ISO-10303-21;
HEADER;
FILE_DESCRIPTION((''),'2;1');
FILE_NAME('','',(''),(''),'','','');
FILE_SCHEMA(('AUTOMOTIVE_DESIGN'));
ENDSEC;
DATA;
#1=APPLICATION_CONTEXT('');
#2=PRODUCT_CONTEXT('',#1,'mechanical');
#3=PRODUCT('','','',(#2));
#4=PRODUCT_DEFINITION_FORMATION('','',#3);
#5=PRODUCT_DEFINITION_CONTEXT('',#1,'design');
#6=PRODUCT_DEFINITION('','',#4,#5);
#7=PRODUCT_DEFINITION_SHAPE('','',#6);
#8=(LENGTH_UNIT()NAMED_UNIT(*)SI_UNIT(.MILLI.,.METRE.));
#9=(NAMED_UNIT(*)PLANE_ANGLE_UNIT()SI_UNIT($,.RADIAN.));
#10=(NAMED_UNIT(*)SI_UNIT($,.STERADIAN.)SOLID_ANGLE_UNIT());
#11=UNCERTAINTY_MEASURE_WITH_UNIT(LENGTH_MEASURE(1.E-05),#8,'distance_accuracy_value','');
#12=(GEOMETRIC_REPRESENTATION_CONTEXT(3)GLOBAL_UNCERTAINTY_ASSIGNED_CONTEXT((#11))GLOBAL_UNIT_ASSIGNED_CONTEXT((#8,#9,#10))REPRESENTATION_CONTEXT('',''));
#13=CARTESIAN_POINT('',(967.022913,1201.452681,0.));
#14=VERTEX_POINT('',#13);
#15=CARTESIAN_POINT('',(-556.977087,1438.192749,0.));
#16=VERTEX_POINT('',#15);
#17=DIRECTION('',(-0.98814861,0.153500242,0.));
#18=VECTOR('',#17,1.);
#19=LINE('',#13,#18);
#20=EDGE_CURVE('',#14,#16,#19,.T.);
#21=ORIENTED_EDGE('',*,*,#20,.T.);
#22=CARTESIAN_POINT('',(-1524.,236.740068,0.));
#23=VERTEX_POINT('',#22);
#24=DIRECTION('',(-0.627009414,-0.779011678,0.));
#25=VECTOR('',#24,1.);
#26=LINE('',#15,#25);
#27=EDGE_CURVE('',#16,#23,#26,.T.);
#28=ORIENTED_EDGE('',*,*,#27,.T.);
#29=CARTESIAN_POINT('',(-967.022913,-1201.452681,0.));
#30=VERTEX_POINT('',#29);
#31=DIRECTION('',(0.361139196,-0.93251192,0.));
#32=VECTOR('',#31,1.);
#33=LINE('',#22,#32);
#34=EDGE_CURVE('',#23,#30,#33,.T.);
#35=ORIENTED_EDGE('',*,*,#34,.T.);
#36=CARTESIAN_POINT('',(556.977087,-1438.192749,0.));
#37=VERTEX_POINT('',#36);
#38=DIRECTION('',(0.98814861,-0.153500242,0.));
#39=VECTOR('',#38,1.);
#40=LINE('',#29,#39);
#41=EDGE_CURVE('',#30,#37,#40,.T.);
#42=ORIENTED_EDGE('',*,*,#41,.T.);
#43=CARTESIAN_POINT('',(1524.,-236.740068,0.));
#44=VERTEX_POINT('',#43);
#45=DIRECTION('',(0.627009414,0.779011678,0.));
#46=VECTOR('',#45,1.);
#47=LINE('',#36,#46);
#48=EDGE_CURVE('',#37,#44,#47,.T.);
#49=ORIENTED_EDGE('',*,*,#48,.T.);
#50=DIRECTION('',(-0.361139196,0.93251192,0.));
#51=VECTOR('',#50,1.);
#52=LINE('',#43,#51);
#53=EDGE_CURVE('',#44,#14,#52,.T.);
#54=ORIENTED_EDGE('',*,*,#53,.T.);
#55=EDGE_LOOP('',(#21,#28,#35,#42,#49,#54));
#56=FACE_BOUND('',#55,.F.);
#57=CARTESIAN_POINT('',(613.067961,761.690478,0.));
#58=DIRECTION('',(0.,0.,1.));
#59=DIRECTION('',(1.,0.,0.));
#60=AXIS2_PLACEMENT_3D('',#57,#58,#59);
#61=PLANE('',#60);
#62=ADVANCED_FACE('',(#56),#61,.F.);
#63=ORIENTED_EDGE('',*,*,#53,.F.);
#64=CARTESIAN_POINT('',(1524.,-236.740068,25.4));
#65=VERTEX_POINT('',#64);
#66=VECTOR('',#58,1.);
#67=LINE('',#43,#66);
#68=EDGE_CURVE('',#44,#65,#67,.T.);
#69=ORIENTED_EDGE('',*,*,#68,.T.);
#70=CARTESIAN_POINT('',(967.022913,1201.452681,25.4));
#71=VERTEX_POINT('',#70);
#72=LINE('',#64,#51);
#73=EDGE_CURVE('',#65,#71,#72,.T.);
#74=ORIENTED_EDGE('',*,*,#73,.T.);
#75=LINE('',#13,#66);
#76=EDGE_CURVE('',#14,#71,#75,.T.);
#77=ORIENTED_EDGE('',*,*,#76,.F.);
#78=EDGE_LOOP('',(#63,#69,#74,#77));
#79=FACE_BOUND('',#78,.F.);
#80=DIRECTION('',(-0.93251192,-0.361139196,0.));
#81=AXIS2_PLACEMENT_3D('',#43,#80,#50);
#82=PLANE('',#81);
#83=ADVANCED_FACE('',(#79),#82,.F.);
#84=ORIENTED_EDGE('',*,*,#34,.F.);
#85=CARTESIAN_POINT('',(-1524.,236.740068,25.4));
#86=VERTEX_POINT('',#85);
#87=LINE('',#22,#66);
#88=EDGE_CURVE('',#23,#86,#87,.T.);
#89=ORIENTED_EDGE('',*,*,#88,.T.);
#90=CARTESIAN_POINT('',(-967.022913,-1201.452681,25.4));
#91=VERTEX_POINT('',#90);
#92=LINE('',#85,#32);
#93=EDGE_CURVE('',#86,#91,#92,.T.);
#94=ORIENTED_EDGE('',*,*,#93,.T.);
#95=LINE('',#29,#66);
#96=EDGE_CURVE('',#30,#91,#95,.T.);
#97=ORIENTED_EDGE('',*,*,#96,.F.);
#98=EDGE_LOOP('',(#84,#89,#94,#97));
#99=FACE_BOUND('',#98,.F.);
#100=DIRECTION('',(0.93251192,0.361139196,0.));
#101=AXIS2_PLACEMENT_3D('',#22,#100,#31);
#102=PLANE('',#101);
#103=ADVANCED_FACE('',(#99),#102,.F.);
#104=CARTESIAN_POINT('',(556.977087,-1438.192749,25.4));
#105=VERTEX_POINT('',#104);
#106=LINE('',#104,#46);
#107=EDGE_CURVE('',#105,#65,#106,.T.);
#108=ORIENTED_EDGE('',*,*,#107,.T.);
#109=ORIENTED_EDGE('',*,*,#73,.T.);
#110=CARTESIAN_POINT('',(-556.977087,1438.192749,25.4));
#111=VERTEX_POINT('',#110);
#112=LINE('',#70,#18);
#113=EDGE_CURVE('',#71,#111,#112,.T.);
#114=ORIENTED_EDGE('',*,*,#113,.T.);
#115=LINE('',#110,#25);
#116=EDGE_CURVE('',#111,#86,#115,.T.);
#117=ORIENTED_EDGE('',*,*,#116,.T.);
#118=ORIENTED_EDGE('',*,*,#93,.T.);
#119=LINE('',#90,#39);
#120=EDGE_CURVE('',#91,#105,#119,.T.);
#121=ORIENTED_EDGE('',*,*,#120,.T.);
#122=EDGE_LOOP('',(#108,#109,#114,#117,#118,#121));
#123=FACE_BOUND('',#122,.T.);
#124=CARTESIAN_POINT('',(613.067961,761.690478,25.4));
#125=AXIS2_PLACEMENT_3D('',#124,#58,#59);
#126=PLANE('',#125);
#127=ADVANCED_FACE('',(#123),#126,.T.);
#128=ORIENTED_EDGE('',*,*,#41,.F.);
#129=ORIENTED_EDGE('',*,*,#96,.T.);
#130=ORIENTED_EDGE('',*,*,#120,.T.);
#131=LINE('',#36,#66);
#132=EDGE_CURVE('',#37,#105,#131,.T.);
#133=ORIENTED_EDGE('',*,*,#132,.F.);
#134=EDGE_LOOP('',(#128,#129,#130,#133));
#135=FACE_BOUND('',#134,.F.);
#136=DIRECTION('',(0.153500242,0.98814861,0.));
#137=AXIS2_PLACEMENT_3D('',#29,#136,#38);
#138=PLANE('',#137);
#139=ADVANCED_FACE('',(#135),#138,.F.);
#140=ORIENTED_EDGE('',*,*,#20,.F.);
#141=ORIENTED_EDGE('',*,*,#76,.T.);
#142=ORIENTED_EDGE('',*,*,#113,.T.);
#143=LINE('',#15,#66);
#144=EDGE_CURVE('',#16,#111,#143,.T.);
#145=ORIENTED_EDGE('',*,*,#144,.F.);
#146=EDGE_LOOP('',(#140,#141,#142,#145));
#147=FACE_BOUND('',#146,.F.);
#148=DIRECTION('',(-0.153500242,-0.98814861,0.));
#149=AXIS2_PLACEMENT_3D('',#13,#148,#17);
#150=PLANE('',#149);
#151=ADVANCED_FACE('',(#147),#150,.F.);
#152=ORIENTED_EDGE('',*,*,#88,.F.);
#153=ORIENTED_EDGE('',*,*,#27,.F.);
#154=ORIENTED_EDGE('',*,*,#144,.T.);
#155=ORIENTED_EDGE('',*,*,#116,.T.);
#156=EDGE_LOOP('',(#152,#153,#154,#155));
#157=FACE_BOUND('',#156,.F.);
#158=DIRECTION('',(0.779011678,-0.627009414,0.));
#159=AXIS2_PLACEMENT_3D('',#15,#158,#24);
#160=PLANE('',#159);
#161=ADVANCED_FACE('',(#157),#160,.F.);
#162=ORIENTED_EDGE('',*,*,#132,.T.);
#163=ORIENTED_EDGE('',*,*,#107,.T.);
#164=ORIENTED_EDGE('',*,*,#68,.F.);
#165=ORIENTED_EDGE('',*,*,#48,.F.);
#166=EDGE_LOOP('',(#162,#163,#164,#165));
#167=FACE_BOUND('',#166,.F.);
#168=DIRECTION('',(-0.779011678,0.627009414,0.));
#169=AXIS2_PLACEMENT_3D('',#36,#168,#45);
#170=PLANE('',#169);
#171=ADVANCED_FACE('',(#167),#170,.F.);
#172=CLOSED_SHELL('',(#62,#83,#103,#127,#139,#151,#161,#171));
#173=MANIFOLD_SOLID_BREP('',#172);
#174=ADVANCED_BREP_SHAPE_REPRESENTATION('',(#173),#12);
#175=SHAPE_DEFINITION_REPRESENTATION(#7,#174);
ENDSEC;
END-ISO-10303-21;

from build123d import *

# Parameters (mm, degrees)
F1_DEPTH = 25.4


with BuildPart() as f1:
    # F0 (on Top) → F1 (new body)
    with BuildSketch(Plane.XY):
        Polygon((1524, -236.740068), (967.022913, 1201.452681), (-556.977087, 1438.192749), align=None)
        Polygon((556.977087, -1438.192749), (1524, -236.740068), (-556.977087, 1438.192749), (-1524, 236.740068), (-967.022913, -1201.452681), align=None)
    extrude(amount=F1_DEPTH)


solid = f1.part
